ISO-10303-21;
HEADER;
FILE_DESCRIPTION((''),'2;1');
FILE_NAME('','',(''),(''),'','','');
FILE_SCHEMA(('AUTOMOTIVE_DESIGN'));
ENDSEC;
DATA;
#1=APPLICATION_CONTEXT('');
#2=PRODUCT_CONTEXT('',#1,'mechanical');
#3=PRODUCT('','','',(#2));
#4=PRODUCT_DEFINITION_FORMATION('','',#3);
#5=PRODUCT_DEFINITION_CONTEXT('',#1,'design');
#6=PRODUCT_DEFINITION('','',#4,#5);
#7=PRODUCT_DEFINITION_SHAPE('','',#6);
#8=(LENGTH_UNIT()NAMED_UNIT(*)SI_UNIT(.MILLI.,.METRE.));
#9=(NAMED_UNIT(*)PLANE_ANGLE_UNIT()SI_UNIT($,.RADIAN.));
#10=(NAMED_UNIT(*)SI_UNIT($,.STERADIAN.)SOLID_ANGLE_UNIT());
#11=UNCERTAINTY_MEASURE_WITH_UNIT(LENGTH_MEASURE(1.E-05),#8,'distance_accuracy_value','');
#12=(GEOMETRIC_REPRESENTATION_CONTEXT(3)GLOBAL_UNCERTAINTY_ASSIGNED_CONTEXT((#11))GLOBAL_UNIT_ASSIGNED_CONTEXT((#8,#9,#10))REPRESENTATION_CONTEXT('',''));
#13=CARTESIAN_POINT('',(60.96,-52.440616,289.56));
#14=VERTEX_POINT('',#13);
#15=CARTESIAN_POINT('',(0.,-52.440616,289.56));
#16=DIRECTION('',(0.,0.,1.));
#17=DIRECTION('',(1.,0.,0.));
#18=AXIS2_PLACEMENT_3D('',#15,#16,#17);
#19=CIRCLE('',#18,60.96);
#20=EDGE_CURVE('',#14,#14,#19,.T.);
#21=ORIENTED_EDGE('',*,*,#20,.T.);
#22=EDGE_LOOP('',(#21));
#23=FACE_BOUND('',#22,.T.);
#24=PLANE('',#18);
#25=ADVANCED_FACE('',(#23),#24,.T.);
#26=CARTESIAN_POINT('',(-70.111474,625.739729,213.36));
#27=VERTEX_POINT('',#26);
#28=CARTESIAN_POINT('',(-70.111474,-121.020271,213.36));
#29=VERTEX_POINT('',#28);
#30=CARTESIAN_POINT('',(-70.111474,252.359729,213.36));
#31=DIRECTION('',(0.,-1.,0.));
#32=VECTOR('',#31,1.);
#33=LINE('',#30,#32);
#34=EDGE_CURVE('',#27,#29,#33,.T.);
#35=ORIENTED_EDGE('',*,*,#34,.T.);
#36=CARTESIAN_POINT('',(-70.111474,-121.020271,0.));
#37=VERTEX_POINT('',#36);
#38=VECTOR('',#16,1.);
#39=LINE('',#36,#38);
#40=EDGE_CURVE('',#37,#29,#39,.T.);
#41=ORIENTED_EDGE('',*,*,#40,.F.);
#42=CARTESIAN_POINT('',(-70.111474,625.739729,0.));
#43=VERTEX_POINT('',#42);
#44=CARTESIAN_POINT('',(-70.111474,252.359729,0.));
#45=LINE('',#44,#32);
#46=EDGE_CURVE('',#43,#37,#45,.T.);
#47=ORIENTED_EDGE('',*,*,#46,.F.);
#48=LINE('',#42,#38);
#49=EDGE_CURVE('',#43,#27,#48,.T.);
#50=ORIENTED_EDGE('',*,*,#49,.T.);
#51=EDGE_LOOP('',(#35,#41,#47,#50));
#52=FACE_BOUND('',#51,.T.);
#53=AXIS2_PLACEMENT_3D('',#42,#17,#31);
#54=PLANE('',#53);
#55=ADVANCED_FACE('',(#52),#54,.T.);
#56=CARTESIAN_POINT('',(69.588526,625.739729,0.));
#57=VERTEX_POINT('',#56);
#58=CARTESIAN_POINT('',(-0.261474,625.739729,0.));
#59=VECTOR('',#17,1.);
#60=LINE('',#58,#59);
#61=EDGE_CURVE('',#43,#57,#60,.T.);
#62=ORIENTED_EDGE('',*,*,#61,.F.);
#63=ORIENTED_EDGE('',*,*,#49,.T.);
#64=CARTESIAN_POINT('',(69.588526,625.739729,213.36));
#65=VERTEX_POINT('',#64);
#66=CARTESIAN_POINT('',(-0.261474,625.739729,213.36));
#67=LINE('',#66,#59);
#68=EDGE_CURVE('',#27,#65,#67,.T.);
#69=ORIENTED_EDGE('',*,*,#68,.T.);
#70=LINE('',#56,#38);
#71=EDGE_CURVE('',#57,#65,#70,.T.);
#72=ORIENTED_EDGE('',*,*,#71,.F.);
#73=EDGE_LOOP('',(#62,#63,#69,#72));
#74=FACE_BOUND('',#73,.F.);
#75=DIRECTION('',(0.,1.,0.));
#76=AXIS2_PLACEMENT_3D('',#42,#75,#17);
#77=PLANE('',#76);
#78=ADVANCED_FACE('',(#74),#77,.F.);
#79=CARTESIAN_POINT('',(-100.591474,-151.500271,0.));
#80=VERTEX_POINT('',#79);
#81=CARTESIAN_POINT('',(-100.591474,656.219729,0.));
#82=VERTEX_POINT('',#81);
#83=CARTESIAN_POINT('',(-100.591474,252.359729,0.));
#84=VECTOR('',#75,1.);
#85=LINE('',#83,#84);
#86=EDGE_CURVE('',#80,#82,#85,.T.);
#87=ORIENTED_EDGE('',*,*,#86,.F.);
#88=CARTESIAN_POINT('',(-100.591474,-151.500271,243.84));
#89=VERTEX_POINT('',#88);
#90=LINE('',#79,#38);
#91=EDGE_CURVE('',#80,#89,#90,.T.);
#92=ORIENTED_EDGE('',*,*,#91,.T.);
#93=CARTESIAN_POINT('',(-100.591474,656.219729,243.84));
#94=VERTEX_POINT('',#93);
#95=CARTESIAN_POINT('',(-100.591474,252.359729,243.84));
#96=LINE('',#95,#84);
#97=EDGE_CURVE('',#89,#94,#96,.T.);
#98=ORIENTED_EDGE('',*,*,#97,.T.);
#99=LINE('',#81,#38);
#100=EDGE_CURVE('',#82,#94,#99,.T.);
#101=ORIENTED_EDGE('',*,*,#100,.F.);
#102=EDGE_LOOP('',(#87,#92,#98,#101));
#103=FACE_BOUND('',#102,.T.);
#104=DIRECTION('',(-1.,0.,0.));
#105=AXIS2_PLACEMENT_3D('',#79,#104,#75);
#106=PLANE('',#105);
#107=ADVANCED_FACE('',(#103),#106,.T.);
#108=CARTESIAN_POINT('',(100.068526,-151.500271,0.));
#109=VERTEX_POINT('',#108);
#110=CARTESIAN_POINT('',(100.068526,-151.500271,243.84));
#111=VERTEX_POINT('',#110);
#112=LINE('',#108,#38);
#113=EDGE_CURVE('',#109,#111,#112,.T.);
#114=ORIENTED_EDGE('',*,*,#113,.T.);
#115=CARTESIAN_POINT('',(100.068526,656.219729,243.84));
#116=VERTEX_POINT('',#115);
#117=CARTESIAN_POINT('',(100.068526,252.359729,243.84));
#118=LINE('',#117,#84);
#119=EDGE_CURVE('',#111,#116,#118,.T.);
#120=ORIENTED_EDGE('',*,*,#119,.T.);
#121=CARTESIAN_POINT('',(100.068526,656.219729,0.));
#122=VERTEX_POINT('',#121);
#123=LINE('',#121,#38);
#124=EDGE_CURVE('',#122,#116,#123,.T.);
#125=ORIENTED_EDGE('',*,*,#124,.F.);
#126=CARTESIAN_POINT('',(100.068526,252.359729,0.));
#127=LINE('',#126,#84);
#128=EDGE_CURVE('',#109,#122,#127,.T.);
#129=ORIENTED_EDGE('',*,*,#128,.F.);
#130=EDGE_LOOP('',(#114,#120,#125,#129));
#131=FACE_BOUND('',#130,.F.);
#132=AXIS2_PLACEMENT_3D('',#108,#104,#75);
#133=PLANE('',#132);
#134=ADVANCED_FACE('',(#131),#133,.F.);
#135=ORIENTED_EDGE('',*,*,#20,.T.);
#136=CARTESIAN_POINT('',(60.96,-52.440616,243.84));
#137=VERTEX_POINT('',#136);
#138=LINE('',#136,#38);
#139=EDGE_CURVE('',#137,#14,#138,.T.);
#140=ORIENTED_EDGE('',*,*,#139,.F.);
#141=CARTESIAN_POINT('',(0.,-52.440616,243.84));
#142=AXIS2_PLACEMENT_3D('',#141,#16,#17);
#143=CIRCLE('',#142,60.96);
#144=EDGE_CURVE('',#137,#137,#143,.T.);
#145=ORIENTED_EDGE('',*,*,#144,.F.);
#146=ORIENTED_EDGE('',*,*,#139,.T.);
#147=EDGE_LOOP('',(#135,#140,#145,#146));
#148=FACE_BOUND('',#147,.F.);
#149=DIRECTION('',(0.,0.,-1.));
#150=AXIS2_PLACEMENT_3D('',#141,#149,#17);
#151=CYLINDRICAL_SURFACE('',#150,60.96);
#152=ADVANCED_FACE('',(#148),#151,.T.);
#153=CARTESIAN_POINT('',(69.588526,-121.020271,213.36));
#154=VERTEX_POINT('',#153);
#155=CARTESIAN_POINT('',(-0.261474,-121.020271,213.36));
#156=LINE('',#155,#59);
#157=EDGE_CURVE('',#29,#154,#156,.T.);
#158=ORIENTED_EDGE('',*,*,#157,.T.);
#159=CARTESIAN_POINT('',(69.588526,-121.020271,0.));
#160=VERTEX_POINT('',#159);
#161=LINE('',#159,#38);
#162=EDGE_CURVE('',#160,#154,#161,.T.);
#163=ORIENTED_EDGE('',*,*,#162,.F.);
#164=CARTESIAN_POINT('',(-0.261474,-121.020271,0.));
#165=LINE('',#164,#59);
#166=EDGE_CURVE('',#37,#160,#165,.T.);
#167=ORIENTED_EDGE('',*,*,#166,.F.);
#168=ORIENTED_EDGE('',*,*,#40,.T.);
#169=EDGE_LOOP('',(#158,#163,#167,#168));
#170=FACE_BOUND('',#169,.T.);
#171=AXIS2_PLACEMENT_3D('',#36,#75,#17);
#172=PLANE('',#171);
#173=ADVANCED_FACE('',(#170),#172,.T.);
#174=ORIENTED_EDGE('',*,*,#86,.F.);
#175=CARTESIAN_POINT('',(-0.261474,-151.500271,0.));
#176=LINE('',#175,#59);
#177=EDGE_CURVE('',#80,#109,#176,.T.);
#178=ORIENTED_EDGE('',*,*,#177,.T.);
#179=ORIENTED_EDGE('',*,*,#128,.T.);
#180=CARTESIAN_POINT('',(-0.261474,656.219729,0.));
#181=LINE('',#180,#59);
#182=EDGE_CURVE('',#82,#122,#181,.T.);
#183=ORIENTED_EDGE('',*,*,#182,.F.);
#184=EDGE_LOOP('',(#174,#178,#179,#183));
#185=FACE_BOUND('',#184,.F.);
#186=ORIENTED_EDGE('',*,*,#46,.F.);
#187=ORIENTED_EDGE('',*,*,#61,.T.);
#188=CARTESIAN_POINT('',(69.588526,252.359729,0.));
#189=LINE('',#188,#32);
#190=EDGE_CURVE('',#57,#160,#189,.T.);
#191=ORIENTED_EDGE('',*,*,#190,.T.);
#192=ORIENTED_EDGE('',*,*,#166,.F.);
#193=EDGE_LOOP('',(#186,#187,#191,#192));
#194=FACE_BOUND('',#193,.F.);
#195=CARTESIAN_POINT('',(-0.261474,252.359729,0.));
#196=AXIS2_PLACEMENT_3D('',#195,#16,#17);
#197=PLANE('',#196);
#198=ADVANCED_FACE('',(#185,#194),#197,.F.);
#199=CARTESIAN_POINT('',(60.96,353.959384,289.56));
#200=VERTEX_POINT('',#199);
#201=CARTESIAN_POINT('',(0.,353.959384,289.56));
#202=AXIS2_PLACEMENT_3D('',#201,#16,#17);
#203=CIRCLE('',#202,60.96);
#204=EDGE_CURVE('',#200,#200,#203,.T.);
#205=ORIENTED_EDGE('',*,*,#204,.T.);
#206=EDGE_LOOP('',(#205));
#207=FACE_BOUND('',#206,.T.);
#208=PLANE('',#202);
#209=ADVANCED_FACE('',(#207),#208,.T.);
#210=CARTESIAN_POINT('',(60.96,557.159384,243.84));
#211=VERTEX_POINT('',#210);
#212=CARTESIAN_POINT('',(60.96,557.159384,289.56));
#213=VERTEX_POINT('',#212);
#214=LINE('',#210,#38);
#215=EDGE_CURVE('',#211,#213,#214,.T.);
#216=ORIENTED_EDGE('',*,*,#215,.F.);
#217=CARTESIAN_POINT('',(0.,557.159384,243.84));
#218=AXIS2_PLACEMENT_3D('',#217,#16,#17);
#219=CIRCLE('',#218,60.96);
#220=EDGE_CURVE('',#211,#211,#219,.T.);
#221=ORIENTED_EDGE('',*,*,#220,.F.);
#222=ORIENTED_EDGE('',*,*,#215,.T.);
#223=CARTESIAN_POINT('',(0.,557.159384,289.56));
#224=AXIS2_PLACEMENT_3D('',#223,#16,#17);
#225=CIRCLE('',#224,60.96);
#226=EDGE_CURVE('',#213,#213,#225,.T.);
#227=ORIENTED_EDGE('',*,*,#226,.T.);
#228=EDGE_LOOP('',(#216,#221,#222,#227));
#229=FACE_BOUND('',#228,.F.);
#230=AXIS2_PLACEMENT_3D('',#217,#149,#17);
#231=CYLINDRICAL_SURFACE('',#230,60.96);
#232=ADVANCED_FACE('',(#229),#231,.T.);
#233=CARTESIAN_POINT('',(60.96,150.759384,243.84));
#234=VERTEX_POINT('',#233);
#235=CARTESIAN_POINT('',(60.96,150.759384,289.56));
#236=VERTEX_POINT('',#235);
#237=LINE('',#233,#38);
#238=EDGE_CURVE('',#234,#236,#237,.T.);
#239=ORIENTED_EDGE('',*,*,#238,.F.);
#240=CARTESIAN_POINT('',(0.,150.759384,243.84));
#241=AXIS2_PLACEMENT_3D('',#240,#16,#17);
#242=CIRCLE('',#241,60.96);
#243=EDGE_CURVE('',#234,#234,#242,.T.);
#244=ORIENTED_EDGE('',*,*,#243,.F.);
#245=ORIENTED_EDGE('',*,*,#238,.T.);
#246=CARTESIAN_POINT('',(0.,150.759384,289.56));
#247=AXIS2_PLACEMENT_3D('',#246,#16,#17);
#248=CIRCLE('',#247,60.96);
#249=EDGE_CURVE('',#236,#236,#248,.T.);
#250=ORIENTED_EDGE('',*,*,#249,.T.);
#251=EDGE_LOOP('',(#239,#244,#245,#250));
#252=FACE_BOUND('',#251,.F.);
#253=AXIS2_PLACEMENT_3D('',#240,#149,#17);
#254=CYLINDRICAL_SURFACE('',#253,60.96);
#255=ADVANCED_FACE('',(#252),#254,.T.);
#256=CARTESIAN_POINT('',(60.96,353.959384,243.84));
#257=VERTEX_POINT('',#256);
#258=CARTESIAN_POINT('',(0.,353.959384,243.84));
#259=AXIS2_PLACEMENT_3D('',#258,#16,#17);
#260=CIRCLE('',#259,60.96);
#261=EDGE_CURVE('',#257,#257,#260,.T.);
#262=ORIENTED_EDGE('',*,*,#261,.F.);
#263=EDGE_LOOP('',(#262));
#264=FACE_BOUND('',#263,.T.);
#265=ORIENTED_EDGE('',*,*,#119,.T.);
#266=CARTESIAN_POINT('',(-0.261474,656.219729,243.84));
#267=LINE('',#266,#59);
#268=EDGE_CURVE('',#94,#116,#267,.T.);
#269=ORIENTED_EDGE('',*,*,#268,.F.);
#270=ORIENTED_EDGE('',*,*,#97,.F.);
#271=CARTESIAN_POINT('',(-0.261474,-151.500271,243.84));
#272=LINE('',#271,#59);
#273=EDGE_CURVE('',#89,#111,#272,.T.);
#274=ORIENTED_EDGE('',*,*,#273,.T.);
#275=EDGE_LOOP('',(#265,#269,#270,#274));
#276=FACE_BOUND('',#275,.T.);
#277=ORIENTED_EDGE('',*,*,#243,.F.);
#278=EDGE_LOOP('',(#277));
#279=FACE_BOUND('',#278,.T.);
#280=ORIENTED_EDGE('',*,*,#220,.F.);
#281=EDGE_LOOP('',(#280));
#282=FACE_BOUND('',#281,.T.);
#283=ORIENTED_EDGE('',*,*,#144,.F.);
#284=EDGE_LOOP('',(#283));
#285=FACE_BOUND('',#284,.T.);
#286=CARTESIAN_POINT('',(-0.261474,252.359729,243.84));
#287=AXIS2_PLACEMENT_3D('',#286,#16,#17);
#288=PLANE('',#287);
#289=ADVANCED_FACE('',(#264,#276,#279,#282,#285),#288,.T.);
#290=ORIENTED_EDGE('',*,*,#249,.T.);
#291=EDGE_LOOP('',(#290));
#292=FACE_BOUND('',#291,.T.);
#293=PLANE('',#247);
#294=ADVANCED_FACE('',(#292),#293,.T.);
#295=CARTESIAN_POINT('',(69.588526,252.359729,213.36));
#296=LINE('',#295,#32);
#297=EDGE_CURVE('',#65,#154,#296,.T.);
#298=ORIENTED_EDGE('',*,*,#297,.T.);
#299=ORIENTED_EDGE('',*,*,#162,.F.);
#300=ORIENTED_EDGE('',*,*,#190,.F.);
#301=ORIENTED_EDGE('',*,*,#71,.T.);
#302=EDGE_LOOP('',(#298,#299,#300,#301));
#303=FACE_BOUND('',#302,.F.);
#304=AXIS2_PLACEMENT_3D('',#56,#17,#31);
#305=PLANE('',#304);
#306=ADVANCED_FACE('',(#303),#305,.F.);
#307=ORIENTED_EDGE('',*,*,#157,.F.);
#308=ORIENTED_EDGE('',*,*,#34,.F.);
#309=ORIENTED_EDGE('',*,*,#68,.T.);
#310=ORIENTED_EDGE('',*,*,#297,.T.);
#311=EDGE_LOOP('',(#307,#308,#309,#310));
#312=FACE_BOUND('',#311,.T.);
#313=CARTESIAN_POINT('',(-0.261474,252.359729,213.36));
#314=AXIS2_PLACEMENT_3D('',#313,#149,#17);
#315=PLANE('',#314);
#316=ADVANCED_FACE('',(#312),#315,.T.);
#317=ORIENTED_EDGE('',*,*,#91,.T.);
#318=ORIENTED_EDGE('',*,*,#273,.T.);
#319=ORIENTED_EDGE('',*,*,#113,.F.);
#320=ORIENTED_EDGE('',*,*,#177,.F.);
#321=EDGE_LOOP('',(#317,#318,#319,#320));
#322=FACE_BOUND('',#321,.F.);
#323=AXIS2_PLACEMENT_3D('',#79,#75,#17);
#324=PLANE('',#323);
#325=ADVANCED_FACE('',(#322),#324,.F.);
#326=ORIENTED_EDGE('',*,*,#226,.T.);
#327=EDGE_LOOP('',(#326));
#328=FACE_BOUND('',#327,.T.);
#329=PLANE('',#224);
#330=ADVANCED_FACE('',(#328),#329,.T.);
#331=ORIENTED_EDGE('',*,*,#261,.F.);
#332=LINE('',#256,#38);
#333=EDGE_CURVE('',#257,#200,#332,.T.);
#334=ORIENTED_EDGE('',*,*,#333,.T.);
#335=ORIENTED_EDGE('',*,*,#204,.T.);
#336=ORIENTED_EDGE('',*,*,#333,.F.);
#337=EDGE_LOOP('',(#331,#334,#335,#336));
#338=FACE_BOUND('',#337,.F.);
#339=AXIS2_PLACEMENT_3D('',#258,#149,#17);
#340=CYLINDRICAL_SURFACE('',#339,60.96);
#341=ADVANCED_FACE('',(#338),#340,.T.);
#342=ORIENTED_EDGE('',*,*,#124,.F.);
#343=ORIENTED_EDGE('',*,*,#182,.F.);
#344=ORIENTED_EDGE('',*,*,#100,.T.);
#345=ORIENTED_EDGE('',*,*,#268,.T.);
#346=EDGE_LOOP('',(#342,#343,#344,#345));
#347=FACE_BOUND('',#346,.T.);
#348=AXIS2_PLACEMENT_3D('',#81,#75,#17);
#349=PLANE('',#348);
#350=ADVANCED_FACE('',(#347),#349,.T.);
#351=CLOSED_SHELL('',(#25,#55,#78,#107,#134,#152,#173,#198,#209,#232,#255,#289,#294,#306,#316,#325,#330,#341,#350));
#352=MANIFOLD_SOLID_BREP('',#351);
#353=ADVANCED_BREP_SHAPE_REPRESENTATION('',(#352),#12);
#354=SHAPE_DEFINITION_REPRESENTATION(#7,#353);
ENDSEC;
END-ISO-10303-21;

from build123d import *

# Parameters (mm, degrees)
F0_W     = 200.66
F0_H     = 807.72
F1_DEPTH = 243.84
F2_R     = 60.96
F3_DEPTH = 45.72
F4_W     = 139.7
F4_H     = 746.76
F5_DEPTH = 213.36


with BuildPart() as f1:
    # F0 (on Top) → F1 (new body)
    with BuildSketch(Plane.XY):
        with Locations((-0.261474, 252.359729)):
            Rectangle(F0_W, F0_H)
    extrude(amount=F1_DEPTH)

    # F2 (on face) → F3 (join)
    with BuildSketch(Plane.XY.offset(243.84)):
        with Locations((0, -52.440616)):
            Circle(F2_R)
        with Locations((0, 150.759384)):
            Circle(F2_R)
        with Locations((0, 353.959384)):
            Circle(F2_R)
        with Locations((0, 557.159384)):
            Circle(F2_R)
    extrude(amount=F3_DEPTH)

    # F4 (on face) → F5 (cut)
    with BuildSketch(Plane(origin=(0, 0, 0), x_dir=(1, 0, 0), z_dir=(0, 0, -1))):
        with Locations((-0.261474, -252.359729)):
            Rectangle(F4_W, F4_H)
    extrude(amount=-F5_DEPTH, mode=Mode.SUBTRACT)


solid = f1.part
